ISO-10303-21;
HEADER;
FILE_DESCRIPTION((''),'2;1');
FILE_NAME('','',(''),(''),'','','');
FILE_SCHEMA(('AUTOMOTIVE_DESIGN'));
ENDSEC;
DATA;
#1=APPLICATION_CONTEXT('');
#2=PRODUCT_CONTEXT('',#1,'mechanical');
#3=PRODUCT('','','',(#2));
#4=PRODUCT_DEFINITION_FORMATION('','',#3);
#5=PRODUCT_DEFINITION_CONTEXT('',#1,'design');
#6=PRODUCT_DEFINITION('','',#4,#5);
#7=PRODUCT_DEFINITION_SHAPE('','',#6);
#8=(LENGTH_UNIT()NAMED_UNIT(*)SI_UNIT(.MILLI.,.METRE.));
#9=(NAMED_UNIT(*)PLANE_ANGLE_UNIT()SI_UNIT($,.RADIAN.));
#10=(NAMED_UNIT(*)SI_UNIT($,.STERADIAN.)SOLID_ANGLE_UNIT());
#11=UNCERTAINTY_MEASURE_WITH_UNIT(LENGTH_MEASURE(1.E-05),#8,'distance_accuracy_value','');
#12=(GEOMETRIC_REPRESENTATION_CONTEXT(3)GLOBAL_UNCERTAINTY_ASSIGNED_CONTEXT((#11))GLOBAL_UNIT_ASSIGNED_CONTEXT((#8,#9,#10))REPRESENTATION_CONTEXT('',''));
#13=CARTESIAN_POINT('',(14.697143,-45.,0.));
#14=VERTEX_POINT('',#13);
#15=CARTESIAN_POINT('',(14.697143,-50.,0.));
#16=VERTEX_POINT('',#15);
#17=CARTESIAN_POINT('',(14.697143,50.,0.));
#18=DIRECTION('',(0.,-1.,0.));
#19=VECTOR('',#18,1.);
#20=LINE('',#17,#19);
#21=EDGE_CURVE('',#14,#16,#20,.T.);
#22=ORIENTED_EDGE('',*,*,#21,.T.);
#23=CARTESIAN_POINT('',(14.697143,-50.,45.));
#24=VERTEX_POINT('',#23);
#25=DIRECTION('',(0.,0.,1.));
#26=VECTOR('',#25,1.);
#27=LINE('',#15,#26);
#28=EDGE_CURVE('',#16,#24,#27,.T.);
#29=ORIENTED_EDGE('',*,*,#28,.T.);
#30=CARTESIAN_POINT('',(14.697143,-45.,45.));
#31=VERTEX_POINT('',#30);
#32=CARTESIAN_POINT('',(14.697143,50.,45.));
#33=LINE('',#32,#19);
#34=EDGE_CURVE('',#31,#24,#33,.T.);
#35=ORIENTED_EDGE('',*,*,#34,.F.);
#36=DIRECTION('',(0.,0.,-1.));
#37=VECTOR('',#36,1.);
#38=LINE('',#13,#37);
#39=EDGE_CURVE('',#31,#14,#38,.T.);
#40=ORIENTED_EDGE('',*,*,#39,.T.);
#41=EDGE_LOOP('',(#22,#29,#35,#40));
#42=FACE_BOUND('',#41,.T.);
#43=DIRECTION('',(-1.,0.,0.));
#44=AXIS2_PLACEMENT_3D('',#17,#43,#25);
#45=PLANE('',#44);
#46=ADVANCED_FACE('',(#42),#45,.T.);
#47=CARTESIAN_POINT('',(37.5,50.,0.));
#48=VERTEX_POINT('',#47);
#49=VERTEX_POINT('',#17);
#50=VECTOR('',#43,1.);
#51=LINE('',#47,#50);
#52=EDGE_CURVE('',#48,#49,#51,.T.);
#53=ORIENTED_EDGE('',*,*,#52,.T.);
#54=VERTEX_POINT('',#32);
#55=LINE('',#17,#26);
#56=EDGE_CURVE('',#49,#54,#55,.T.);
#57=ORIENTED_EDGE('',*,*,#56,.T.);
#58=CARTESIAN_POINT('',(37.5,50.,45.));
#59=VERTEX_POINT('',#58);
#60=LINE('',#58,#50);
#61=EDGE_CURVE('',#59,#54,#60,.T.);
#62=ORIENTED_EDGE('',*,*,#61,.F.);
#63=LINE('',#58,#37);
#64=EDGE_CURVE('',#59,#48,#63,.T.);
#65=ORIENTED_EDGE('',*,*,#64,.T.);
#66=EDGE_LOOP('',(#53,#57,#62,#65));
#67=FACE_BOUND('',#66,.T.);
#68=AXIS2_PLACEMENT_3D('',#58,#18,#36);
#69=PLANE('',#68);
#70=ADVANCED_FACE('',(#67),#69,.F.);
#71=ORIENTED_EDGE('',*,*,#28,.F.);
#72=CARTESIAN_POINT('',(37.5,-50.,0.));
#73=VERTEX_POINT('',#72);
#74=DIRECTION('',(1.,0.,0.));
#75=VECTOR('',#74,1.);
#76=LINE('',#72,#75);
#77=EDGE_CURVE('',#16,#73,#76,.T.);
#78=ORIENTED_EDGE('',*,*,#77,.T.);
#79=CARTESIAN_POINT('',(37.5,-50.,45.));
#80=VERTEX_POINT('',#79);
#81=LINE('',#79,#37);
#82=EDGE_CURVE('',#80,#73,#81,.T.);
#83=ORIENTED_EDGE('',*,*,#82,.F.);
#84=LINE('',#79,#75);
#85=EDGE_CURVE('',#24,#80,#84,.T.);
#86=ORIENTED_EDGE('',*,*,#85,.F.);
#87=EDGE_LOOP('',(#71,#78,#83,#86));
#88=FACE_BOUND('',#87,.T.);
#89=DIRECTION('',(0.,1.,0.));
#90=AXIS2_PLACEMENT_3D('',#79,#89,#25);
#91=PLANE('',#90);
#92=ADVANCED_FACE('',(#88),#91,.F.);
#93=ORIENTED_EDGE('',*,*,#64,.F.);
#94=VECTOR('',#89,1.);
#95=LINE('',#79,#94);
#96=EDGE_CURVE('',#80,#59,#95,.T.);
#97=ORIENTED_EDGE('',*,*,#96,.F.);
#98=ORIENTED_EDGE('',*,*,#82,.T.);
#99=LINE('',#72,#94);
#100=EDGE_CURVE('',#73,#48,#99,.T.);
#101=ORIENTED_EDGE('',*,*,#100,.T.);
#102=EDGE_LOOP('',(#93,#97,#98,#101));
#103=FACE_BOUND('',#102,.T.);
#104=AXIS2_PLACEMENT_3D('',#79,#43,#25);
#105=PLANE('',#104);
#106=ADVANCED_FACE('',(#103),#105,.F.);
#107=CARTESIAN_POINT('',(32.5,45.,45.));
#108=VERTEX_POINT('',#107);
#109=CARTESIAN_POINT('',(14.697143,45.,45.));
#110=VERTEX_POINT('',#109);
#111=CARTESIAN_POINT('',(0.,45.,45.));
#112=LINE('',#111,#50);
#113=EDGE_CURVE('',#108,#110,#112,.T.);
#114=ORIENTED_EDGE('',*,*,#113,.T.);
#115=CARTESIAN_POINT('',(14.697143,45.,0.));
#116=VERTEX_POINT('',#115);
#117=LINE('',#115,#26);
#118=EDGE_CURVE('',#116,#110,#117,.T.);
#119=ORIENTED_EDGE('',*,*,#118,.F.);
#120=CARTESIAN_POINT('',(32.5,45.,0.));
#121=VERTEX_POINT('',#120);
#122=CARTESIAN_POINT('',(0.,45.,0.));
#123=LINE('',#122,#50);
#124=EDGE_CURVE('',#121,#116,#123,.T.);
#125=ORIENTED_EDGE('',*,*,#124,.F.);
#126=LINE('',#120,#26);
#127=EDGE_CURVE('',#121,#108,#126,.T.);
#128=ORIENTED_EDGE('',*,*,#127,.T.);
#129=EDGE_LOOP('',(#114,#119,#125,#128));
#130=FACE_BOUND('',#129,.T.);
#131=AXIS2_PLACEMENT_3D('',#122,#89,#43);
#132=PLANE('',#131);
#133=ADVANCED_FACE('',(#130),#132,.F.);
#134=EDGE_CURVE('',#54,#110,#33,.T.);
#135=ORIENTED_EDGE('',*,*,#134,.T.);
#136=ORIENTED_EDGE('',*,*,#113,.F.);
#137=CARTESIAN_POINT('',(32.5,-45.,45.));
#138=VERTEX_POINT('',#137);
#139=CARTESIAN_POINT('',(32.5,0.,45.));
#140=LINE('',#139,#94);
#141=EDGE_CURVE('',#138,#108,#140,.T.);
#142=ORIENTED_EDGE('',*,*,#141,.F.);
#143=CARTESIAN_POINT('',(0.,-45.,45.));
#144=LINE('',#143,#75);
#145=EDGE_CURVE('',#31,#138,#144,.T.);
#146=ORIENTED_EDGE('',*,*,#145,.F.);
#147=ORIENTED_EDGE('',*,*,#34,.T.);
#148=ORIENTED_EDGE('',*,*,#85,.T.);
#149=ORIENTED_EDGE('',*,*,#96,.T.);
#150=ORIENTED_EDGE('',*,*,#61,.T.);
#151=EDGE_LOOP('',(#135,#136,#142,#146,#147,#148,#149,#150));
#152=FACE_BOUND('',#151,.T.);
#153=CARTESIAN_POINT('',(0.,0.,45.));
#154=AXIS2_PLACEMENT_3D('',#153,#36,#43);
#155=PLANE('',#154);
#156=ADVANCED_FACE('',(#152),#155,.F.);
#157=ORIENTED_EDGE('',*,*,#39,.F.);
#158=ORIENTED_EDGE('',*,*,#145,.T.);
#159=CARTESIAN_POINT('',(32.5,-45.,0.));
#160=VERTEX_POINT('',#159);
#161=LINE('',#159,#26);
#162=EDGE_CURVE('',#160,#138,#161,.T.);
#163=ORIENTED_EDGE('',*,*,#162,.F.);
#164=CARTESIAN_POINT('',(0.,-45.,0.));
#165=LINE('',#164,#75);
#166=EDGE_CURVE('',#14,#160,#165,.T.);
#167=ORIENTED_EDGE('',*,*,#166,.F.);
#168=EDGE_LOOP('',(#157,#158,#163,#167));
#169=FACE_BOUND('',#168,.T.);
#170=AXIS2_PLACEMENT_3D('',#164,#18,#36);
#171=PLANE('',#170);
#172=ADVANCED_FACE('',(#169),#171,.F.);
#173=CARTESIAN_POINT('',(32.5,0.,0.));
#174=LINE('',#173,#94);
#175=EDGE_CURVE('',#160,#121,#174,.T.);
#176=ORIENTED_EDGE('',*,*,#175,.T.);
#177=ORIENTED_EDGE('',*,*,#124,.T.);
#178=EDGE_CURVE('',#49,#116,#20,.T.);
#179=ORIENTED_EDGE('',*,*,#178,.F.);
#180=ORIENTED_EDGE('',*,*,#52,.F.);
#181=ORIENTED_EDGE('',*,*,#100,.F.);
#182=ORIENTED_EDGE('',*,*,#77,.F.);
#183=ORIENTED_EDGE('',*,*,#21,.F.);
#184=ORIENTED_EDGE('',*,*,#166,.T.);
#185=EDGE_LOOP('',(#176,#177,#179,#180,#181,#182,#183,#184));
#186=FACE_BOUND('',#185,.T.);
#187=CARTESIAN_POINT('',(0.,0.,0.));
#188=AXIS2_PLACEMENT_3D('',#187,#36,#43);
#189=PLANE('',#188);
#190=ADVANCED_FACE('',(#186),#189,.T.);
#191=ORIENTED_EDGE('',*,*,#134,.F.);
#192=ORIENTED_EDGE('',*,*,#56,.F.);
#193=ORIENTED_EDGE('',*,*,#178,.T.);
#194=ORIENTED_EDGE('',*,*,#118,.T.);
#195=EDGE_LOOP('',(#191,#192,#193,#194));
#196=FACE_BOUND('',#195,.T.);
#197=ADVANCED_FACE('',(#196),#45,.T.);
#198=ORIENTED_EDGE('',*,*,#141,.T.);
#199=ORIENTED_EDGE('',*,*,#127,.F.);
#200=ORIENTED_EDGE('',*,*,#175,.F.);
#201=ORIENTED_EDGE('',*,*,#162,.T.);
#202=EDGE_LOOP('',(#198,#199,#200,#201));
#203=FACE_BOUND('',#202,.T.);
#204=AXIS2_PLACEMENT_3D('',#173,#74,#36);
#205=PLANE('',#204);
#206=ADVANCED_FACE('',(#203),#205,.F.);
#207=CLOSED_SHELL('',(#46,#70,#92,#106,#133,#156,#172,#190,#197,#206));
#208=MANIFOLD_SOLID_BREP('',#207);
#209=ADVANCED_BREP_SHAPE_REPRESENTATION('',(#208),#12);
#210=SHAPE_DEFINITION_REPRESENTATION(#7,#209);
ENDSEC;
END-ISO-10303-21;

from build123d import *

# Parameters (mm, degrees)
SKETCH1_W           = 100
SKETCH1_H           = 75
BOSS_EXTRUDE1_DEPTH = 45
SKETCH2_W           = 15
SKETCH2_H           = 25
CUT_EXTRUDE1_DEPTH  = 78.014609004
SKETCH3_W           = 30.197143083
SKETCH3_H           = 100
CUT_EXTRUDE2_DEPTH  = 78.014609004


with BuildPart() as part:
    # Sketch1 → Boss-Extrude1 (new body)
    with BuildSketch(Plane(origin=(0, 0, 0), x_dir=(0, 1, 0), z_dir=(0, 0, 1))):
        Rectangle(SKETCH1_W, SKETCH1_H)
    extrude(amount=BOSS_EXTRUDE1_DEPTH)

    # Sketch2 → Cut-Extrude1 (cut, through all)
    with BuildSketch(Plane.XY.offset(45)):
        Polygon((-15.5, 18), (-32.5, 18), (-32.5, -45), (32.5, -45), (32.5, 45), (-15.5, 45), (-15.5, 20), align=None)
        with Locations((-25, 32.5)):
            Rectangle(SKETCH2_W, SKETCH2_H)
    extrude(amount=-CUT_EXTRUDE1_DEPTH, mode=Mode.SUBTRACT)

    # Sketch3 → Cut-Extrude2 (cut, through all)
    with BuildSketch(Plane.XY.offset(45)):
        with Locations((-0.401428459, 0)):
            Rectangle(SKETCH3_W, SKETCH3_H)
    extrude(amount=-CUT_EXTRUDE2_DEPTH, mode=Mode.SUBTRACT)


with BuildPart() as body_2:
    # of the pieces the cut leaves, the one that is kept (cut_extrude2_keep)
    add(part.part.solids().sort_by_distance((37.5, -50, 0))[0])


solid = body_2.part
